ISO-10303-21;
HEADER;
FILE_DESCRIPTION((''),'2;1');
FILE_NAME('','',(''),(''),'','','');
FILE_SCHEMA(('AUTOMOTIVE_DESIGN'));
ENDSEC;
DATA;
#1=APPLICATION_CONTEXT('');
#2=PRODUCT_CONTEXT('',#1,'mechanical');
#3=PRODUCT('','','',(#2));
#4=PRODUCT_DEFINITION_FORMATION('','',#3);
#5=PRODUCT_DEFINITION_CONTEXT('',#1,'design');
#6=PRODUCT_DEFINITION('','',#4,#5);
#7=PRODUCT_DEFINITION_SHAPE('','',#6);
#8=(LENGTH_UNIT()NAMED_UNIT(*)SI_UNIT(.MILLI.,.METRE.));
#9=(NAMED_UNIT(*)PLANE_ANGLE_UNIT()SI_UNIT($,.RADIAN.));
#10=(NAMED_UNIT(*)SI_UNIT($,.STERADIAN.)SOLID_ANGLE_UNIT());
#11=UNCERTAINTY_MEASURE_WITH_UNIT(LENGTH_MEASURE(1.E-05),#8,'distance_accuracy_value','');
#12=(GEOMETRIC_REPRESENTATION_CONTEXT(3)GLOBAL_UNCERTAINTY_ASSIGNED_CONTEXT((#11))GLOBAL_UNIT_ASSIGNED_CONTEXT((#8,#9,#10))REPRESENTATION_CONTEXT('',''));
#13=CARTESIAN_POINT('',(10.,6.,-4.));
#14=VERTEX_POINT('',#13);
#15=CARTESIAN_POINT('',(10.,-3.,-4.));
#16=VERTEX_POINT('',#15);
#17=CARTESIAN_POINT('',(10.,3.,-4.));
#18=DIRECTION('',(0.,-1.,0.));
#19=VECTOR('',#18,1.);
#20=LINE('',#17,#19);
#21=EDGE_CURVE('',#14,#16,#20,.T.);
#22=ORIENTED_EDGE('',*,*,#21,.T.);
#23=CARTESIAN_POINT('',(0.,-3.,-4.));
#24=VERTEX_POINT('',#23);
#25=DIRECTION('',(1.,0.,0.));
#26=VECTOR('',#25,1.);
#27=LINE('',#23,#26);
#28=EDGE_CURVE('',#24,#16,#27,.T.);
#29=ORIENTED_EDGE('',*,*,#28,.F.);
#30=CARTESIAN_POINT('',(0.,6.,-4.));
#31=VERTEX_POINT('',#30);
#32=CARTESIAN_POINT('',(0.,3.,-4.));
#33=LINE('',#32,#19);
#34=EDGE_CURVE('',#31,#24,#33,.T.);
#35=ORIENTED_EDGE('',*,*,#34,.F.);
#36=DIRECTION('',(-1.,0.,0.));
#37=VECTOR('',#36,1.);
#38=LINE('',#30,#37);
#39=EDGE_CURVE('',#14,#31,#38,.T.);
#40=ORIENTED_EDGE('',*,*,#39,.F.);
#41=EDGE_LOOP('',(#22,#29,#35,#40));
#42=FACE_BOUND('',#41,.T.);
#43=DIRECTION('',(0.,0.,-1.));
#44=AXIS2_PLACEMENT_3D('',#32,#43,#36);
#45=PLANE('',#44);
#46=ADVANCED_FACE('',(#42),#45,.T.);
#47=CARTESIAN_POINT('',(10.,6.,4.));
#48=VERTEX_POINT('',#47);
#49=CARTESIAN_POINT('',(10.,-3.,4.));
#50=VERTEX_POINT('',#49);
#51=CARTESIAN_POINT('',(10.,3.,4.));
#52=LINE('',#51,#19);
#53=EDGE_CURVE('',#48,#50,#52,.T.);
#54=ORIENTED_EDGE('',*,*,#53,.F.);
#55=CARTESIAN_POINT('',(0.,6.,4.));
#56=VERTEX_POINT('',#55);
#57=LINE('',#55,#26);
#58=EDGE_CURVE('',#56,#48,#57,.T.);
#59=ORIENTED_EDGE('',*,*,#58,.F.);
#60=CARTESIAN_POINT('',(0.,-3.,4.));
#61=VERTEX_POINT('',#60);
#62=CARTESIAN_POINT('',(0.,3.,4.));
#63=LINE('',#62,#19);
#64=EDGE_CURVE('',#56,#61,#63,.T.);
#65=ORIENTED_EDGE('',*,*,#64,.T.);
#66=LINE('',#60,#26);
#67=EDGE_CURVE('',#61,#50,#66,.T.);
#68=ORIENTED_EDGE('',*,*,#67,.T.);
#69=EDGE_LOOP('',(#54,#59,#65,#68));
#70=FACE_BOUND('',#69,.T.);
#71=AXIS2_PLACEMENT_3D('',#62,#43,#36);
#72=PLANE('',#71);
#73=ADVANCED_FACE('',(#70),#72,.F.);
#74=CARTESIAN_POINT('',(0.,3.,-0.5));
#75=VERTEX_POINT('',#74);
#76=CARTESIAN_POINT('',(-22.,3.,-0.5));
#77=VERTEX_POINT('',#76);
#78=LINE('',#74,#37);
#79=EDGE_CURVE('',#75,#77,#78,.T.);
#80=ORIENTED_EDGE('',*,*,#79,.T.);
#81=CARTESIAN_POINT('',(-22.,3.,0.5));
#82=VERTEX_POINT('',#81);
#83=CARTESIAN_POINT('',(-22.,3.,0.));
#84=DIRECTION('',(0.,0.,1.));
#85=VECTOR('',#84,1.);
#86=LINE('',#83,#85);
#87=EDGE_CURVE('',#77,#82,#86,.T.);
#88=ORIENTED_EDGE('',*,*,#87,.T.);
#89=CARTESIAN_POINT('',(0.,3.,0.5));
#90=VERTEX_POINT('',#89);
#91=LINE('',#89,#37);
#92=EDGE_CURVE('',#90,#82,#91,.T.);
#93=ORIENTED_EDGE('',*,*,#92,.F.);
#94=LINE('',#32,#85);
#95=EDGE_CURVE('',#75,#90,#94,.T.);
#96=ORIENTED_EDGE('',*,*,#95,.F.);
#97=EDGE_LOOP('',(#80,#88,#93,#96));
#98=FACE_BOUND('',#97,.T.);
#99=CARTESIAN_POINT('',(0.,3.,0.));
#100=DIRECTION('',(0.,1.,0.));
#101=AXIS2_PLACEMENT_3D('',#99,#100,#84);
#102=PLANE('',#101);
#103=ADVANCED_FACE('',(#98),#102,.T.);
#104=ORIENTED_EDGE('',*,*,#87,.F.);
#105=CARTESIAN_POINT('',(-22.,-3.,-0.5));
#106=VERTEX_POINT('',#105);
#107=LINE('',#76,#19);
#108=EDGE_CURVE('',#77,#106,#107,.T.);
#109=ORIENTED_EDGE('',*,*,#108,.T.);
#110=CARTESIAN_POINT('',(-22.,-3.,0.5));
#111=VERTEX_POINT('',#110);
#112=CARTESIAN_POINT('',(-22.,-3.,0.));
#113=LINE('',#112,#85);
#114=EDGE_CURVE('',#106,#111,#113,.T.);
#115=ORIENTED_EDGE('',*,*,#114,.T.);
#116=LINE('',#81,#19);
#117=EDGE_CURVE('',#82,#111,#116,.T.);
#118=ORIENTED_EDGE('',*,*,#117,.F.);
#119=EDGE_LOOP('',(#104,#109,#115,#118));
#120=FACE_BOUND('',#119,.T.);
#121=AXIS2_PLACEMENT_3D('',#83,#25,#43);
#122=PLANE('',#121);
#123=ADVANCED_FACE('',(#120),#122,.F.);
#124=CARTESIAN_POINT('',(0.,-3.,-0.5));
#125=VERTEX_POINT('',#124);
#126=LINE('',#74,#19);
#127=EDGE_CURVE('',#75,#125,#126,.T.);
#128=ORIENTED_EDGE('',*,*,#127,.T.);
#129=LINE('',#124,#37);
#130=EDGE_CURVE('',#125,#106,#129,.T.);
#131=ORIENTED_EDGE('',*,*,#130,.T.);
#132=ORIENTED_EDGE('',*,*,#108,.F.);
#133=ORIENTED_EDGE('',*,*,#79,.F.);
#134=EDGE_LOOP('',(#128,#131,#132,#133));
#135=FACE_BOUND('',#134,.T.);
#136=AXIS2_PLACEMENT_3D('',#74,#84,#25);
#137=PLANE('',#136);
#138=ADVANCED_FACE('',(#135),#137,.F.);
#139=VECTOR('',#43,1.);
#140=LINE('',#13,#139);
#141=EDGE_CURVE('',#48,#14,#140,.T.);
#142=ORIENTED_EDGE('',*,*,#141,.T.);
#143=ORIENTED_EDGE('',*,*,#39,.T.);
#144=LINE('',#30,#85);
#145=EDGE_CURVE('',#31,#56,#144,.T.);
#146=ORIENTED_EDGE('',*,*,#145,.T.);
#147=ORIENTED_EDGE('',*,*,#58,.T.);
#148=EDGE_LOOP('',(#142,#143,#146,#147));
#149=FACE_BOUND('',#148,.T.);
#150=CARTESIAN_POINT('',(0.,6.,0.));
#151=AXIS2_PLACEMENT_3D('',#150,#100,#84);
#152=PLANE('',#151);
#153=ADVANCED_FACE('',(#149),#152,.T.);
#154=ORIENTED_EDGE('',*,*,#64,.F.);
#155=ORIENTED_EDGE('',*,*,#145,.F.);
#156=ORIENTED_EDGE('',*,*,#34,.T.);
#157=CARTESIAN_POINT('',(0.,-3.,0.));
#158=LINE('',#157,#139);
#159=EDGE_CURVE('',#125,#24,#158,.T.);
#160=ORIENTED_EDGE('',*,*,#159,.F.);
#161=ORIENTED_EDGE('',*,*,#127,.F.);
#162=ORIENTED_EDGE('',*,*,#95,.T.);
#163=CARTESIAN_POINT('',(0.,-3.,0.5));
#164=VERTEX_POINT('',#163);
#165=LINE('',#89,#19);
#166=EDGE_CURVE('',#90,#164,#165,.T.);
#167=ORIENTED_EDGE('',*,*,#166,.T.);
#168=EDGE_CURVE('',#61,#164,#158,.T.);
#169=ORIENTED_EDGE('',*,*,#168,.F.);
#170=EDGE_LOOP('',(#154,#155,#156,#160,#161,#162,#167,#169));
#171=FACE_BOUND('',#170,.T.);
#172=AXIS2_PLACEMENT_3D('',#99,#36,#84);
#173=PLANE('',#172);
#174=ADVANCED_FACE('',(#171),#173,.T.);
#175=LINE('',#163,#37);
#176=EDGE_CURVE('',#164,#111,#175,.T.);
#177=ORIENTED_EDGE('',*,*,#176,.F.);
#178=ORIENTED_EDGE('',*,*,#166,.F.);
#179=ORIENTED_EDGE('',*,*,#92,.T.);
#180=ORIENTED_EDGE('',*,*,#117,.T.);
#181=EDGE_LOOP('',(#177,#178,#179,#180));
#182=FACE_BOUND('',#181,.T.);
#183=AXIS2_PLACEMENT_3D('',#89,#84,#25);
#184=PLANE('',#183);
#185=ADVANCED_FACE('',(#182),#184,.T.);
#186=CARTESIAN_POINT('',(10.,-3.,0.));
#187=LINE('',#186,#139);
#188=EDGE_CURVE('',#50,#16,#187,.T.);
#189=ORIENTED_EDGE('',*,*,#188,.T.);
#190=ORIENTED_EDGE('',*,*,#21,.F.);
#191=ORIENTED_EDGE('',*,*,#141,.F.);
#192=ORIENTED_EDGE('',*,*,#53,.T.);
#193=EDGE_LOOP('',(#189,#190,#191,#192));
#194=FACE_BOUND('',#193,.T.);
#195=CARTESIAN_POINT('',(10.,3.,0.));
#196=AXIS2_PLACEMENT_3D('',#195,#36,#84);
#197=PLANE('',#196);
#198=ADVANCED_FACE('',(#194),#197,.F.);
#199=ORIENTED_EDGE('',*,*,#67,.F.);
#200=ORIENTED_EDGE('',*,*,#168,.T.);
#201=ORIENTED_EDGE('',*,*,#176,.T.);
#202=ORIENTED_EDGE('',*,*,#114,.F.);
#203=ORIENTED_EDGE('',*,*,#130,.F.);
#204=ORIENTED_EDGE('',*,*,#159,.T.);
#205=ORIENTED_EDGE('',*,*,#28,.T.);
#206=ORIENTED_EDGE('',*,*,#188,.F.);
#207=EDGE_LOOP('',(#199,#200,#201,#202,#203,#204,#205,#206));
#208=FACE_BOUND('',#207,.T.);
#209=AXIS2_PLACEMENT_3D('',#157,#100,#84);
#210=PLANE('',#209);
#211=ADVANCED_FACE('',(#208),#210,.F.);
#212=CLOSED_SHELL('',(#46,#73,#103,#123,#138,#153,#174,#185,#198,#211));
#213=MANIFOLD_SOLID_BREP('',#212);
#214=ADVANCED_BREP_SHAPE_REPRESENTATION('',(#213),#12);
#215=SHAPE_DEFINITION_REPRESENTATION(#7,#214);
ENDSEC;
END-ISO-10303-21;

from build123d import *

# Parameters (mm, degrees)
SKETCH1_W           = 10
SKETCH1_H           = 8
SKETCH1_W_2         = 22
SKETCH1_H_2         = 1
BOSS_EXTRUDE1_DEPTH = 3
SKETCH2_W           = 10
SKETCH2_H           = 8
BOSS_EXTRUDE2_DEPTH = 3


with BuildPart() as part:
    # Sketch1 → Boss-Extrude1 (new, symmetric)
    with BuildSketch(Plane(origin=(0, 0, 0), x_dir=(1, 0, 0), z_dir=(0, 1, 0))):
        with Locations((5, 0)):
            Rectangle(SKETCH1_W, SKETCH1_H)
        with Locations((-11, 0)):
            Rectangle(SKETCH1_W_2, SKETCH1_H_2)
    extrude(amount=BOSS_EXTRUDE1_DEPTH, both=True)

    # Sketch2 → Boss-Extrude2 (add)
    with BuildSketch(Plane(origin=(0, 3, 0), x_dir=(1, 0, 0), z_dir=(0, 1, 0))):
        with Locations((5, 0)):
            Rectangle(SKETCH2_W, SKETCH2_H)
    extrude(amount=BOSS_EXTRUDE2_DEPTH)


solid = part.part
